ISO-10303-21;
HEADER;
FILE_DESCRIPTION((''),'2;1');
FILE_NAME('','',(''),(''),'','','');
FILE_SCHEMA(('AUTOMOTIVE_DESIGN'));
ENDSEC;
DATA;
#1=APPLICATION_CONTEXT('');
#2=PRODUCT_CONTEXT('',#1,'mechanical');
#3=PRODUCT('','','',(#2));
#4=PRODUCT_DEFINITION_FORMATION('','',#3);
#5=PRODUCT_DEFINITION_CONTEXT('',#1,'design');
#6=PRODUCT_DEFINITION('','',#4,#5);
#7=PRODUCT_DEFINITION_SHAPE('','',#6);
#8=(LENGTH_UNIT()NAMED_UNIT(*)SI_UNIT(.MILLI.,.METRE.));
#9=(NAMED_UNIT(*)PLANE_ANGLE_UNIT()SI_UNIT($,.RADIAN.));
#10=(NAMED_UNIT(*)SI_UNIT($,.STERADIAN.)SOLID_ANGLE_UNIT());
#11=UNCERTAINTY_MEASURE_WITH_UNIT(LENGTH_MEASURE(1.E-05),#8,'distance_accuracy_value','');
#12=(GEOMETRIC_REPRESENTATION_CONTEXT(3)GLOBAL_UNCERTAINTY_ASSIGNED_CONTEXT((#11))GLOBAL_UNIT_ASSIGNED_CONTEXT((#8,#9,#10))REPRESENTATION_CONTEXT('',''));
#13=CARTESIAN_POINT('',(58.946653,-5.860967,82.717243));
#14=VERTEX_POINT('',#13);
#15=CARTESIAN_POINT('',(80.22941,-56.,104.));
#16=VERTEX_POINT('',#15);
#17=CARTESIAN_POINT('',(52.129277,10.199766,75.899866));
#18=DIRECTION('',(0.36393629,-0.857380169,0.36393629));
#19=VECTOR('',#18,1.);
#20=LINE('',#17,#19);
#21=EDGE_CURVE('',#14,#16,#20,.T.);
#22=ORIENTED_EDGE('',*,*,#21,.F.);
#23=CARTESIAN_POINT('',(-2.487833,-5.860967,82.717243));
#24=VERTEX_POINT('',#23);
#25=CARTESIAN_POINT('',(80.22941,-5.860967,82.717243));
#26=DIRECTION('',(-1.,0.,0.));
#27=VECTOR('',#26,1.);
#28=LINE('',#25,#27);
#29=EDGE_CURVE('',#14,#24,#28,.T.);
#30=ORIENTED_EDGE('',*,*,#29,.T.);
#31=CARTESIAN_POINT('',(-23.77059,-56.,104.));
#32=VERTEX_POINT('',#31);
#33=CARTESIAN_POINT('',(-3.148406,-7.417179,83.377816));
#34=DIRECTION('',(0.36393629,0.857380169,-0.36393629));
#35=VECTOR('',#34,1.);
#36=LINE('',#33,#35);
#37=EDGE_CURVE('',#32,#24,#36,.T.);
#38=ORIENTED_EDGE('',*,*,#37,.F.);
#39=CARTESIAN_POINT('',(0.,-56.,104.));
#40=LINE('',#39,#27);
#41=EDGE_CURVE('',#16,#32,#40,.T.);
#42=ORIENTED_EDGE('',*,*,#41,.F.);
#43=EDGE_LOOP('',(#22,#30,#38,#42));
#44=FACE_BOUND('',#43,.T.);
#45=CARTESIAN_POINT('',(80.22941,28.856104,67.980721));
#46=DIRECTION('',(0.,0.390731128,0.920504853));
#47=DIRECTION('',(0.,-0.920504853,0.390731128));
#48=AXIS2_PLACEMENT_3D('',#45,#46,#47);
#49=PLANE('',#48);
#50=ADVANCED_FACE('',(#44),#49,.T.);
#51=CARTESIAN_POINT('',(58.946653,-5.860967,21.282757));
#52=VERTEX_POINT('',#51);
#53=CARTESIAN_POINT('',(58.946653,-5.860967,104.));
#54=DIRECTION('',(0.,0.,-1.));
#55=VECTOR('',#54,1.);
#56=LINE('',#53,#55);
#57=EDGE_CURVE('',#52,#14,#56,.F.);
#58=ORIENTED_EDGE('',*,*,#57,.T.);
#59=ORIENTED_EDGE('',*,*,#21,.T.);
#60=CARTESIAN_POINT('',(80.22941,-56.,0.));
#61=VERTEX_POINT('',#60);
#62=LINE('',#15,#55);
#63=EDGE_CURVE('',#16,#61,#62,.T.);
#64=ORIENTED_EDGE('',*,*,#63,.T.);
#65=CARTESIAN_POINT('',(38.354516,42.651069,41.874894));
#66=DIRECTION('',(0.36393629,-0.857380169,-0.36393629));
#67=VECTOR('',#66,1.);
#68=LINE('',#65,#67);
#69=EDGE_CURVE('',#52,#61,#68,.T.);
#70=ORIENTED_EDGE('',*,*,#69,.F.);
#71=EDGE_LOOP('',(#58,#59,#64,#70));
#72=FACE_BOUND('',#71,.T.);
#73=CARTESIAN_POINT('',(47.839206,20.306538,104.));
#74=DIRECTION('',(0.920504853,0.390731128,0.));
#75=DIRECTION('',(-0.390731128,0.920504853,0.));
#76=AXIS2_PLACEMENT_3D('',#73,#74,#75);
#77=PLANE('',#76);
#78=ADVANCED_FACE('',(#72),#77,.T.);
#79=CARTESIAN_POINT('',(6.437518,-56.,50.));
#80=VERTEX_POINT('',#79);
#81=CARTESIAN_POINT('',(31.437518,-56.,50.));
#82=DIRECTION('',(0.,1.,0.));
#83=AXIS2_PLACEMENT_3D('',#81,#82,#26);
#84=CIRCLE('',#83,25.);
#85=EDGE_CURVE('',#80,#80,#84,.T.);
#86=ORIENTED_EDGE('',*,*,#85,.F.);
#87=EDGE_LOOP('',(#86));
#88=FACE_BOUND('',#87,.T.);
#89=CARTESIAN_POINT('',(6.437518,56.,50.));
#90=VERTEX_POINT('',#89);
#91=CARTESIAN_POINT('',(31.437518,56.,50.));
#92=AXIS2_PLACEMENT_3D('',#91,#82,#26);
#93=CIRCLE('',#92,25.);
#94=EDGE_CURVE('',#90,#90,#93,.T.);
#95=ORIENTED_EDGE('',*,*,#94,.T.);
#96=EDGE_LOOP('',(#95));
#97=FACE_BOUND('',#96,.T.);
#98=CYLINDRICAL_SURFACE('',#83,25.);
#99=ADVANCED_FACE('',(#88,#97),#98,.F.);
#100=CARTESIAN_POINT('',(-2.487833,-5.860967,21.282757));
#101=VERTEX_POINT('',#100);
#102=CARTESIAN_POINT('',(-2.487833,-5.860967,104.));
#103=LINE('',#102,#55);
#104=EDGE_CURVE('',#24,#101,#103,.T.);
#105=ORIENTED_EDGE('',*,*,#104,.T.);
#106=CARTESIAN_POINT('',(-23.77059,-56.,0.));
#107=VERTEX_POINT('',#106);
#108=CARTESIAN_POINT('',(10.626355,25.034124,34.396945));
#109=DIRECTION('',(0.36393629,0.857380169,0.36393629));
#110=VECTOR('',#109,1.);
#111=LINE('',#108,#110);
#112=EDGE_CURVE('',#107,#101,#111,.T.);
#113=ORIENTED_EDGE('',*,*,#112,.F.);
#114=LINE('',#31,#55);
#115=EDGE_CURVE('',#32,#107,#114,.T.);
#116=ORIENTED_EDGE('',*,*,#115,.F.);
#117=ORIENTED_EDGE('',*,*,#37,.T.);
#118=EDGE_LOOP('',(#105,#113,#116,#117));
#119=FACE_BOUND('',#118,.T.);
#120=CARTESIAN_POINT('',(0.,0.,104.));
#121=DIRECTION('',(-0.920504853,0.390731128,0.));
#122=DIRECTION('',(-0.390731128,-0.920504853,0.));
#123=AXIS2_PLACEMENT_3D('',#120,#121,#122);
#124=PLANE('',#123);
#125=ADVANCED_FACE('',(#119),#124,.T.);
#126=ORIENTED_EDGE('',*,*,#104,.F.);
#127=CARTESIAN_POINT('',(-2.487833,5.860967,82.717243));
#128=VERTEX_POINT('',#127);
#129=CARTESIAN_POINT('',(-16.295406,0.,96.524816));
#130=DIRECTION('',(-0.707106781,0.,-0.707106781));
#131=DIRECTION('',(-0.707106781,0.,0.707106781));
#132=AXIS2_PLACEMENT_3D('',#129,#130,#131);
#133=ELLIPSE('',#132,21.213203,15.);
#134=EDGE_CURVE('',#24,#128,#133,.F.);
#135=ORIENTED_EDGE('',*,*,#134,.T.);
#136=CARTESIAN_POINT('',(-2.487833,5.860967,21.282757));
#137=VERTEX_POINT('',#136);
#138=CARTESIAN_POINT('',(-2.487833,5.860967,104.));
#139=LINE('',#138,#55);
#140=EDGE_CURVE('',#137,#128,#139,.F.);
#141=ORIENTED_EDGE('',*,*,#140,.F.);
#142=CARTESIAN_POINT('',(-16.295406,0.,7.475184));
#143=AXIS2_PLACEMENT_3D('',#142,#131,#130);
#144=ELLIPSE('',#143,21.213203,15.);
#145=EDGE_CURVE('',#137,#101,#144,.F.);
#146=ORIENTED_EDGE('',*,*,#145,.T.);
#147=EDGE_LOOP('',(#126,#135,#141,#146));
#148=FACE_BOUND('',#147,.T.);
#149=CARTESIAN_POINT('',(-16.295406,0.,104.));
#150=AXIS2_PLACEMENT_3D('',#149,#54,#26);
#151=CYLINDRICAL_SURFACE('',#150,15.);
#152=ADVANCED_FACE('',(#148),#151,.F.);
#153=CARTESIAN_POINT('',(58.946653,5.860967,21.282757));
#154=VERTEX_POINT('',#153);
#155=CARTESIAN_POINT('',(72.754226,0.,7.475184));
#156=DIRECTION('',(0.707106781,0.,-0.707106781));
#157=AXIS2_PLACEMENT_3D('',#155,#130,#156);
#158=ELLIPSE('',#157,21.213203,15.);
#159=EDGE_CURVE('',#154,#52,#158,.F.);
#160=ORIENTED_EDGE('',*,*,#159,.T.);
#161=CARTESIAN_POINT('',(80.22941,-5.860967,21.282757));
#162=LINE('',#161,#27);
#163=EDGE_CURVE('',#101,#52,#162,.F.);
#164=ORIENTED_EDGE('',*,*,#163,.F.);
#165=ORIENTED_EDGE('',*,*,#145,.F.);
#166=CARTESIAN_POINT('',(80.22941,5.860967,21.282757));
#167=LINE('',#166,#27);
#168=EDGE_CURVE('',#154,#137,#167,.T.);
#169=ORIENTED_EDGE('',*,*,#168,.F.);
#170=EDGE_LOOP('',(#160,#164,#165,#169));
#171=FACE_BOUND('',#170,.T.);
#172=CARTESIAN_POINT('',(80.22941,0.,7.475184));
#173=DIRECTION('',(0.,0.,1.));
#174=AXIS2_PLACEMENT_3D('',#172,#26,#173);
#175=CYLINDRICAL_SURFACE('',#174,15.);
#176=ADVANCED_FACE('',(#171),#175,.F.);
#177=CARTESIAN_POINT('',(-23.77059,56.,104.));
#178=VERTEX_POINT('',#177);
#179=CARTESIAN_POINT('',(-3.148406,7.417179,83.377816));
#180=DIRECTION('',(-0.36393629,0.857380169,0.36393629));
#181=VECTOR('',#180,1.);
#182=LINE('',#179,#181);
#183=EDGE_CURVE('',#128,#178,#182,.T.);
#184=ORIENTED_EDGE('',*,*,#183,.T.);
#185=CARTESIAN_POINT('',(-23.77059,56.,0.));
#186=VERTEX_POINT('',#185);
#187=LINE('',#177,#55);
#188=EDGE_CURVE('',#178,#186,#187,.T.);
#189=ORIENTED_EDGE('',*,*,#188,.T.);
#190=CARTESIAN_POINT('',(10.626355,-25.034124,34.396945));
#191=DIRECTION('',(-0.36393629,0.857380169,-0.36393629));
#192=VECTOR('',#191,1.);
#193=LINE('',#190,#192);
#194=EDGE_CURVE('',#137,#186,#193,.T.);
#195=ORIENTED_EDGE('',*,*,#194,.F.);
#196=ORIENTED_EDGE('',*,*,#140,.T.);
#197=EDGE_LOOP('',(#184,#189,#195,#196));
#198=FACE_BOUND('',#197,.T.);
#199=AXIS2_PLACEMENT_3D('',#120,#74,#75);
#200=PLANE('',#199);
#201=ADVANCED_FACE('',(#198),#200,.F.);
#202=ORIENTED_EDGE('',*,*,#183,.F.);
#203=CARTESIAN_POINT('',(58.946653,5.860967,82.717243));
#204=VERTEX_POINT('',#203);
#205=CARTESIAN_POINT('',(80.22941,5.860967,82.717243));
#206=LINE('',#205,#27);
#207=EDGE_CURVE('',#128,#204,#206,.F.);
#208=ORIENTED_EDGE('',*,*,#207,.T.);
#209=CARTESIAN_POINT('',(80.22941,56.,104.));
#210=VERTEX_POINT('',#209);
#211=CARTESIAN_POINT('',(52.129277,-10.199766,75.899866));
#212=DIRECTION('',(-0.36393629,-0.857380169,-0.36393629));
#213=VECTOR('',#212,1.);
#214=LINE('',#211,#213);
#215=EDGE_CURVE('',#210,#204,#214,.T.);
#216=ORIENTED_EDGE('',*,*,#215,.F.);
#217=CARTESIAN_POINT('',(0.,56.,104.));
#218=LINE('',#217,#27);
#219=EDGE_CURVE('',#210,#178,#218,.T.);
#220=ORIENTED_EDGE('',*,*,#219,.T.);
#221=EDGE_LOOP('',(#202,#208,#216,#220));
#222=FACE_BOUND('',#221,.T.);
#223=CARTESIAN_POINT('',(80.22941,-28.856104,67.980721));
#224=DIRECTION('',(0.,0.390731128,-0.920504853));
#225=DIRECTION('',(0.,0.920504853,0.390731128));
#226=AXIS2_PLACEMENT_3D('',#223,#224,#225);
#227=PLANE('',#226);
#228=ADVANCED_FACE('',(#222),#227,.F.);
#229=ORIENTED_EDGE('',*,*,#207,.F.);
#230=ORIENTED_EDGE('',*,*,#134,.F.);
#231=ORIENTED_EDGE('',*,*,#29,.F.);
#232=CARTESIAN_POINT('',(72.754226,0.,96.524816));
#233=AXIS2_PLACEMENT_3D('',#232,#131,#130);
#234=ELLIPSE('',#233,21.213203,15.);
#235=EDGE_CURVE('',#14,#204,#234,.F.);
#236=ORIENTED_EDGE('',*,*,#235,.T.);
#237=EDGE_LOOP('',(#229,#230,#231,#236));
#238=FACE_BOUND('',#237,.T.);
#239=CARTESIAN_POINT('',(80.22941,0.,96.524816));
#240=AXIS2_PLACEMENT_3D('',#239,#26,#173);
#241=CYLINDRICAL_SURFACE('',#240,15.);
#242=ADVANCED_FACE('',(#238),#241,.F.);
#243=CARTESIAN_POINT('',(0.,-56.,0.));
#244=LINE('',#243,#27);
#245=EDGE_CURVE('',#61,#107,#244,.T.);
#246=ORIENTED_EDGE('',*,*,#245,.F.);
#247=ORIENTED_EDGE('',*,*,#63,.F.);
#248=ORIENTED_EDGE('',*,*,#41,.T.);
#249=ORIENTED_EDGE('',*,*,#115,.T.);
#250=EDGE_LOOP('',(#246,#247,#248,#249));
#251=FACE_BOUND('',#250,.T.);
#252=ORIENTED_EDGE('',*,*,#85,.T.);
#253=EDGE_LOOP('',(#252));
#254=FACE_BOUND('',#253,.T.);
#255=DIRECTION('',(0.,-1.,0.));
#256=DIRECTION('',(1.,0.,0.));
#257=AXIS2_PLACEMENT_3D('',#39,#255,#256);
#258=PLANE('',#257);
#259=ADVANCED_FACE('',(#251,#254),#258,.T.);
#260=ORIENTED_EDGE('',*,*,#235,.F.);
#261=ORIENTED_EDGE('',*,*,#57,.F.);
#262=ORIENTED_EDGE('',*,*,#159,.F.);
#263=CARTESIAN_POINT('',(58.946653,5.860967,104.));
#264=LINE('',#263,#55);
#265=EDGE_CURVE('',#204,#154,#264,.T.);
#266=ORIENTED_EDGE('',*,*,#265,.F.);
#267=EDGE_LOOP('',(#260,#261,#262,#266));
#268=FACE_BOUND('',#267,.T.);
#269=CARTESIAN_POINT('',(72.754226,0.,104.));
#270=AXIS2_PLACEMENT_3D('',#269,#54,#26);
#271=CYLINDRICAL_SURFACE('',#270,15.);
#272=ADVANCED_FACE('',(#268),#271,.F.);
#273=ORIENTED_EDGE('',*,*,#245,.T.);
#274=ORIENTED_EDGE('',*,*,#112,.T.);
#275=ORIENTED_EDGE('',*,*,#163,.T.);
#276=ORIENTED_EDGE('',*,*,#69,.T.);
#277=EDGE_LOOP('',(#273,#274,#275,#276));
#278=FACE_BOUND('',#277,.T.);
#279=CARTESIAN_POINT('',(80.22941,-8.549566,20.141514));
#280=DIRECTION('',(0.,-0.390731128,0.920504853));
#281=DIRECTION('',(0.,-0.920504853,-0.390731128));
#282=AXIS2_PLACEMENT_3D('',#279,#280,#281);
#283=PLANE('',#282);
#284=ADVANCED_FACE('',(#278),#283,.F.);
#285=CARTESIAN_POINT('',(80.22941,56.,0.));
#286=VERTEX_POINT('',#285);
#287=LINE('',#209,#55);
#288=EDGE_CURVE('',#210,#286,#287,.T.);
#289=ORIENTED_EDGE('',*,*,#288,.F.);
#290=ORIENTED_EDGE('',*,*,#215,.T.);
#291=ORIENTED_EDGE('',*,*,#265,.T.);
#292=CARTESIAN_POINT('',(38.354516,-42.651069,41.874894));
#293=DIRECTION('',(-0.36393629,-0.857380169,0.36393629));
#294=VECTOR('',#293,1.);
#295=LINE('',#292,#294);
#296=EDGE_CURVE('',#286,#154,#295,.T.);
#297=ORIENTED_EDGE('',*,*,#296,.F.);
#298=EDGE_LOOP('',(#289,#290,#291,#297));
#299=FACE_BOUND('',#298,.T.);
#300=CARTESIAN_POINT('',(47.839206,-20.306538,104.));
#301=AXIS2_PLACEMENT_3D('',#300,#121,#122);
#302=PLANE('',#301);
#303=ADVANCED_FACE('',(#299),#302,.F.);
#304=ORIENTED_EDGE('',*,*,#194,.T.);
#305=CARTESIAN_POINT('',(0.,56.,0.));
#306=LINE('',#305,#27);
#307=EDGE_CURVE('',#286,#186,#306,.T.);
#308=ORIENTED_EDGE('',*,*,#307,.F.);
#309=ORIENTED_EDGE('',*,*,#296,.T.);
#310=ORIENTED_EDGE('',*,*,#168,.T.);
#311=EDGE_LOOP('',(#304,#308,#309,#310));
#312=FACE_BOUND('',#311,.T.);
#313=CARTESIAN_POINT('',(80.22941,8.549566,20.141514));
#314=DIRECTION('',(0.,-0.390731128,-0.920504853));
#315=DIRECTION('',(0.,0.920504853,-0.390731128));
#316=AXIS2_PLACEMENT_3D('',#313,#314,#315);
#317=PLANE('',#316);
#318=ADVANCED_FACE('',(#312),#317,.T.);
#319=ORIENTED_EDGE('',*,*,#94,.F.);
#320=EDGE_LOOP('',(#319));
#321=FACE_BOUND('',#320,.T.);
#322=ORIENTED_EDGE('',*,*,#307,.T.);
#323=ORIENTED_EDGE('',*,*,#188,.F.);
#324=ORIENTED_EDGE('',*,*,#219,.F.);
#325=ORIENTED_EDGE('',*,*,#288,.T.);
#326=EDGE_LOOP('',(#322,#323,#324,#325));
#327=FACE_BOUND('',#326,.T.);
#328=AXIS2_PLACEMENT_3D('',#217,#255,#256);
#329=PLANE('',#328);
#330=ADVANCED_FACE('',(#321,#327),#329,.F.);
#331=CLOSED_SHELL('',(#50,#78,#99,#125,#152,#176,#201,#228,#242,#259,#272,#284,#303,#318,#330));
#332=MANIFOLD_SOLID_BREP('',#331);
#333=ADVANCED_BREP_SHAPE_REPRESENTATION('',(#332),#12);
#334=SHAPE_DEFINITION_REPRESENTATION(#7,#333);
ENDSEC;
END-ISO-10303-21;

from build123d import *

# Parameters (mm, degrees)
BOSS_EXTRU_1_DEPTH           = 104
ENL_V_MAT_EXTRU_1_DEPTH      = 143.789209242
ENL_V_MAT_EXTRU_1_DEPTH_BACK = 143.789209242
ESQUISSE4_R                  = 25
ENL_V_MAT_EXTRU_2_DEPTH      = 173.617375359
CONG_1_R                     = 15


with BuildPart() as part:
    # Esquisse1 → Boss.-Extru.1 (new body)
    with BuildSketch(Plane.XY):
        Polygon((80.229410292, 56), (-23.770589708, 56), (0, 0), (56.458820585, 0), align=None)
        Polygon((-23.770589708, -56), (0, 0), (56.458820585, 0), (80.229410292, -56), align=None)
    extrude(amount=BOSS_EXTRU_1_DEPTH)

    # Esquisse3 → Enlèv. mat.-Extru.1 (cut, two sides: drawn at the far end of the back side and taken through both)
    with BuildSketch(Plane(origin=(0, 0, 0), x_dir=(0, 0, -1), z_dir=(1, 0, 0)).offset(-ENL_V_MAT_EXTRU_1_DEPTH_BACK)):
        Polygon((-23.770589708, 0), (0, 0), (0, 56), align=None)
        Polygon((0, 0), (0, -56), (-23.770589708, 0), align=None)
        Polygon((-104, 0), (-104, 56), (-80.229410292, 0), align=None)
        Polygon((-80.229410292, 0), (-104, 0), (-104, -56), align=None)
    extrude(amount=ENL_V_MAT_EXTRU_1_DEPTH + ENL_V_MAT_EXTRU_1_DEPTH_BACK, mode=Mode.SUBTRACT)

    # Esquisse4 → Enlèv. mat.-Extru.2 (cut, through all)
    with BuildSketch(Plane(origin=(0, 56, 0), x_dir=(1, 0, 0), z_dir=(0, 1, 0))):
        with Locations(Location((31.437518052, -50, 0), (0, 0, 180))):
            Circle(ESQUISSE4_R)
    extrude(amount=-ENL_V_MAT_EXTRU_2_DEPTH, mode=Mode.SUBTRACT)

    # Congé1
    cong_1_edges = [part.edges().sort_by_distance(p)[0] for p in [
        (56.458820585, 0, 52),
        (0, 0, 52),
        (28.229410292, 0, 23.770589708),
        (28.229410292, 0, 80.229410292),
    ]]
    fillet(cong_1_edges, radius=CONG_1_R)


solid = part.part
